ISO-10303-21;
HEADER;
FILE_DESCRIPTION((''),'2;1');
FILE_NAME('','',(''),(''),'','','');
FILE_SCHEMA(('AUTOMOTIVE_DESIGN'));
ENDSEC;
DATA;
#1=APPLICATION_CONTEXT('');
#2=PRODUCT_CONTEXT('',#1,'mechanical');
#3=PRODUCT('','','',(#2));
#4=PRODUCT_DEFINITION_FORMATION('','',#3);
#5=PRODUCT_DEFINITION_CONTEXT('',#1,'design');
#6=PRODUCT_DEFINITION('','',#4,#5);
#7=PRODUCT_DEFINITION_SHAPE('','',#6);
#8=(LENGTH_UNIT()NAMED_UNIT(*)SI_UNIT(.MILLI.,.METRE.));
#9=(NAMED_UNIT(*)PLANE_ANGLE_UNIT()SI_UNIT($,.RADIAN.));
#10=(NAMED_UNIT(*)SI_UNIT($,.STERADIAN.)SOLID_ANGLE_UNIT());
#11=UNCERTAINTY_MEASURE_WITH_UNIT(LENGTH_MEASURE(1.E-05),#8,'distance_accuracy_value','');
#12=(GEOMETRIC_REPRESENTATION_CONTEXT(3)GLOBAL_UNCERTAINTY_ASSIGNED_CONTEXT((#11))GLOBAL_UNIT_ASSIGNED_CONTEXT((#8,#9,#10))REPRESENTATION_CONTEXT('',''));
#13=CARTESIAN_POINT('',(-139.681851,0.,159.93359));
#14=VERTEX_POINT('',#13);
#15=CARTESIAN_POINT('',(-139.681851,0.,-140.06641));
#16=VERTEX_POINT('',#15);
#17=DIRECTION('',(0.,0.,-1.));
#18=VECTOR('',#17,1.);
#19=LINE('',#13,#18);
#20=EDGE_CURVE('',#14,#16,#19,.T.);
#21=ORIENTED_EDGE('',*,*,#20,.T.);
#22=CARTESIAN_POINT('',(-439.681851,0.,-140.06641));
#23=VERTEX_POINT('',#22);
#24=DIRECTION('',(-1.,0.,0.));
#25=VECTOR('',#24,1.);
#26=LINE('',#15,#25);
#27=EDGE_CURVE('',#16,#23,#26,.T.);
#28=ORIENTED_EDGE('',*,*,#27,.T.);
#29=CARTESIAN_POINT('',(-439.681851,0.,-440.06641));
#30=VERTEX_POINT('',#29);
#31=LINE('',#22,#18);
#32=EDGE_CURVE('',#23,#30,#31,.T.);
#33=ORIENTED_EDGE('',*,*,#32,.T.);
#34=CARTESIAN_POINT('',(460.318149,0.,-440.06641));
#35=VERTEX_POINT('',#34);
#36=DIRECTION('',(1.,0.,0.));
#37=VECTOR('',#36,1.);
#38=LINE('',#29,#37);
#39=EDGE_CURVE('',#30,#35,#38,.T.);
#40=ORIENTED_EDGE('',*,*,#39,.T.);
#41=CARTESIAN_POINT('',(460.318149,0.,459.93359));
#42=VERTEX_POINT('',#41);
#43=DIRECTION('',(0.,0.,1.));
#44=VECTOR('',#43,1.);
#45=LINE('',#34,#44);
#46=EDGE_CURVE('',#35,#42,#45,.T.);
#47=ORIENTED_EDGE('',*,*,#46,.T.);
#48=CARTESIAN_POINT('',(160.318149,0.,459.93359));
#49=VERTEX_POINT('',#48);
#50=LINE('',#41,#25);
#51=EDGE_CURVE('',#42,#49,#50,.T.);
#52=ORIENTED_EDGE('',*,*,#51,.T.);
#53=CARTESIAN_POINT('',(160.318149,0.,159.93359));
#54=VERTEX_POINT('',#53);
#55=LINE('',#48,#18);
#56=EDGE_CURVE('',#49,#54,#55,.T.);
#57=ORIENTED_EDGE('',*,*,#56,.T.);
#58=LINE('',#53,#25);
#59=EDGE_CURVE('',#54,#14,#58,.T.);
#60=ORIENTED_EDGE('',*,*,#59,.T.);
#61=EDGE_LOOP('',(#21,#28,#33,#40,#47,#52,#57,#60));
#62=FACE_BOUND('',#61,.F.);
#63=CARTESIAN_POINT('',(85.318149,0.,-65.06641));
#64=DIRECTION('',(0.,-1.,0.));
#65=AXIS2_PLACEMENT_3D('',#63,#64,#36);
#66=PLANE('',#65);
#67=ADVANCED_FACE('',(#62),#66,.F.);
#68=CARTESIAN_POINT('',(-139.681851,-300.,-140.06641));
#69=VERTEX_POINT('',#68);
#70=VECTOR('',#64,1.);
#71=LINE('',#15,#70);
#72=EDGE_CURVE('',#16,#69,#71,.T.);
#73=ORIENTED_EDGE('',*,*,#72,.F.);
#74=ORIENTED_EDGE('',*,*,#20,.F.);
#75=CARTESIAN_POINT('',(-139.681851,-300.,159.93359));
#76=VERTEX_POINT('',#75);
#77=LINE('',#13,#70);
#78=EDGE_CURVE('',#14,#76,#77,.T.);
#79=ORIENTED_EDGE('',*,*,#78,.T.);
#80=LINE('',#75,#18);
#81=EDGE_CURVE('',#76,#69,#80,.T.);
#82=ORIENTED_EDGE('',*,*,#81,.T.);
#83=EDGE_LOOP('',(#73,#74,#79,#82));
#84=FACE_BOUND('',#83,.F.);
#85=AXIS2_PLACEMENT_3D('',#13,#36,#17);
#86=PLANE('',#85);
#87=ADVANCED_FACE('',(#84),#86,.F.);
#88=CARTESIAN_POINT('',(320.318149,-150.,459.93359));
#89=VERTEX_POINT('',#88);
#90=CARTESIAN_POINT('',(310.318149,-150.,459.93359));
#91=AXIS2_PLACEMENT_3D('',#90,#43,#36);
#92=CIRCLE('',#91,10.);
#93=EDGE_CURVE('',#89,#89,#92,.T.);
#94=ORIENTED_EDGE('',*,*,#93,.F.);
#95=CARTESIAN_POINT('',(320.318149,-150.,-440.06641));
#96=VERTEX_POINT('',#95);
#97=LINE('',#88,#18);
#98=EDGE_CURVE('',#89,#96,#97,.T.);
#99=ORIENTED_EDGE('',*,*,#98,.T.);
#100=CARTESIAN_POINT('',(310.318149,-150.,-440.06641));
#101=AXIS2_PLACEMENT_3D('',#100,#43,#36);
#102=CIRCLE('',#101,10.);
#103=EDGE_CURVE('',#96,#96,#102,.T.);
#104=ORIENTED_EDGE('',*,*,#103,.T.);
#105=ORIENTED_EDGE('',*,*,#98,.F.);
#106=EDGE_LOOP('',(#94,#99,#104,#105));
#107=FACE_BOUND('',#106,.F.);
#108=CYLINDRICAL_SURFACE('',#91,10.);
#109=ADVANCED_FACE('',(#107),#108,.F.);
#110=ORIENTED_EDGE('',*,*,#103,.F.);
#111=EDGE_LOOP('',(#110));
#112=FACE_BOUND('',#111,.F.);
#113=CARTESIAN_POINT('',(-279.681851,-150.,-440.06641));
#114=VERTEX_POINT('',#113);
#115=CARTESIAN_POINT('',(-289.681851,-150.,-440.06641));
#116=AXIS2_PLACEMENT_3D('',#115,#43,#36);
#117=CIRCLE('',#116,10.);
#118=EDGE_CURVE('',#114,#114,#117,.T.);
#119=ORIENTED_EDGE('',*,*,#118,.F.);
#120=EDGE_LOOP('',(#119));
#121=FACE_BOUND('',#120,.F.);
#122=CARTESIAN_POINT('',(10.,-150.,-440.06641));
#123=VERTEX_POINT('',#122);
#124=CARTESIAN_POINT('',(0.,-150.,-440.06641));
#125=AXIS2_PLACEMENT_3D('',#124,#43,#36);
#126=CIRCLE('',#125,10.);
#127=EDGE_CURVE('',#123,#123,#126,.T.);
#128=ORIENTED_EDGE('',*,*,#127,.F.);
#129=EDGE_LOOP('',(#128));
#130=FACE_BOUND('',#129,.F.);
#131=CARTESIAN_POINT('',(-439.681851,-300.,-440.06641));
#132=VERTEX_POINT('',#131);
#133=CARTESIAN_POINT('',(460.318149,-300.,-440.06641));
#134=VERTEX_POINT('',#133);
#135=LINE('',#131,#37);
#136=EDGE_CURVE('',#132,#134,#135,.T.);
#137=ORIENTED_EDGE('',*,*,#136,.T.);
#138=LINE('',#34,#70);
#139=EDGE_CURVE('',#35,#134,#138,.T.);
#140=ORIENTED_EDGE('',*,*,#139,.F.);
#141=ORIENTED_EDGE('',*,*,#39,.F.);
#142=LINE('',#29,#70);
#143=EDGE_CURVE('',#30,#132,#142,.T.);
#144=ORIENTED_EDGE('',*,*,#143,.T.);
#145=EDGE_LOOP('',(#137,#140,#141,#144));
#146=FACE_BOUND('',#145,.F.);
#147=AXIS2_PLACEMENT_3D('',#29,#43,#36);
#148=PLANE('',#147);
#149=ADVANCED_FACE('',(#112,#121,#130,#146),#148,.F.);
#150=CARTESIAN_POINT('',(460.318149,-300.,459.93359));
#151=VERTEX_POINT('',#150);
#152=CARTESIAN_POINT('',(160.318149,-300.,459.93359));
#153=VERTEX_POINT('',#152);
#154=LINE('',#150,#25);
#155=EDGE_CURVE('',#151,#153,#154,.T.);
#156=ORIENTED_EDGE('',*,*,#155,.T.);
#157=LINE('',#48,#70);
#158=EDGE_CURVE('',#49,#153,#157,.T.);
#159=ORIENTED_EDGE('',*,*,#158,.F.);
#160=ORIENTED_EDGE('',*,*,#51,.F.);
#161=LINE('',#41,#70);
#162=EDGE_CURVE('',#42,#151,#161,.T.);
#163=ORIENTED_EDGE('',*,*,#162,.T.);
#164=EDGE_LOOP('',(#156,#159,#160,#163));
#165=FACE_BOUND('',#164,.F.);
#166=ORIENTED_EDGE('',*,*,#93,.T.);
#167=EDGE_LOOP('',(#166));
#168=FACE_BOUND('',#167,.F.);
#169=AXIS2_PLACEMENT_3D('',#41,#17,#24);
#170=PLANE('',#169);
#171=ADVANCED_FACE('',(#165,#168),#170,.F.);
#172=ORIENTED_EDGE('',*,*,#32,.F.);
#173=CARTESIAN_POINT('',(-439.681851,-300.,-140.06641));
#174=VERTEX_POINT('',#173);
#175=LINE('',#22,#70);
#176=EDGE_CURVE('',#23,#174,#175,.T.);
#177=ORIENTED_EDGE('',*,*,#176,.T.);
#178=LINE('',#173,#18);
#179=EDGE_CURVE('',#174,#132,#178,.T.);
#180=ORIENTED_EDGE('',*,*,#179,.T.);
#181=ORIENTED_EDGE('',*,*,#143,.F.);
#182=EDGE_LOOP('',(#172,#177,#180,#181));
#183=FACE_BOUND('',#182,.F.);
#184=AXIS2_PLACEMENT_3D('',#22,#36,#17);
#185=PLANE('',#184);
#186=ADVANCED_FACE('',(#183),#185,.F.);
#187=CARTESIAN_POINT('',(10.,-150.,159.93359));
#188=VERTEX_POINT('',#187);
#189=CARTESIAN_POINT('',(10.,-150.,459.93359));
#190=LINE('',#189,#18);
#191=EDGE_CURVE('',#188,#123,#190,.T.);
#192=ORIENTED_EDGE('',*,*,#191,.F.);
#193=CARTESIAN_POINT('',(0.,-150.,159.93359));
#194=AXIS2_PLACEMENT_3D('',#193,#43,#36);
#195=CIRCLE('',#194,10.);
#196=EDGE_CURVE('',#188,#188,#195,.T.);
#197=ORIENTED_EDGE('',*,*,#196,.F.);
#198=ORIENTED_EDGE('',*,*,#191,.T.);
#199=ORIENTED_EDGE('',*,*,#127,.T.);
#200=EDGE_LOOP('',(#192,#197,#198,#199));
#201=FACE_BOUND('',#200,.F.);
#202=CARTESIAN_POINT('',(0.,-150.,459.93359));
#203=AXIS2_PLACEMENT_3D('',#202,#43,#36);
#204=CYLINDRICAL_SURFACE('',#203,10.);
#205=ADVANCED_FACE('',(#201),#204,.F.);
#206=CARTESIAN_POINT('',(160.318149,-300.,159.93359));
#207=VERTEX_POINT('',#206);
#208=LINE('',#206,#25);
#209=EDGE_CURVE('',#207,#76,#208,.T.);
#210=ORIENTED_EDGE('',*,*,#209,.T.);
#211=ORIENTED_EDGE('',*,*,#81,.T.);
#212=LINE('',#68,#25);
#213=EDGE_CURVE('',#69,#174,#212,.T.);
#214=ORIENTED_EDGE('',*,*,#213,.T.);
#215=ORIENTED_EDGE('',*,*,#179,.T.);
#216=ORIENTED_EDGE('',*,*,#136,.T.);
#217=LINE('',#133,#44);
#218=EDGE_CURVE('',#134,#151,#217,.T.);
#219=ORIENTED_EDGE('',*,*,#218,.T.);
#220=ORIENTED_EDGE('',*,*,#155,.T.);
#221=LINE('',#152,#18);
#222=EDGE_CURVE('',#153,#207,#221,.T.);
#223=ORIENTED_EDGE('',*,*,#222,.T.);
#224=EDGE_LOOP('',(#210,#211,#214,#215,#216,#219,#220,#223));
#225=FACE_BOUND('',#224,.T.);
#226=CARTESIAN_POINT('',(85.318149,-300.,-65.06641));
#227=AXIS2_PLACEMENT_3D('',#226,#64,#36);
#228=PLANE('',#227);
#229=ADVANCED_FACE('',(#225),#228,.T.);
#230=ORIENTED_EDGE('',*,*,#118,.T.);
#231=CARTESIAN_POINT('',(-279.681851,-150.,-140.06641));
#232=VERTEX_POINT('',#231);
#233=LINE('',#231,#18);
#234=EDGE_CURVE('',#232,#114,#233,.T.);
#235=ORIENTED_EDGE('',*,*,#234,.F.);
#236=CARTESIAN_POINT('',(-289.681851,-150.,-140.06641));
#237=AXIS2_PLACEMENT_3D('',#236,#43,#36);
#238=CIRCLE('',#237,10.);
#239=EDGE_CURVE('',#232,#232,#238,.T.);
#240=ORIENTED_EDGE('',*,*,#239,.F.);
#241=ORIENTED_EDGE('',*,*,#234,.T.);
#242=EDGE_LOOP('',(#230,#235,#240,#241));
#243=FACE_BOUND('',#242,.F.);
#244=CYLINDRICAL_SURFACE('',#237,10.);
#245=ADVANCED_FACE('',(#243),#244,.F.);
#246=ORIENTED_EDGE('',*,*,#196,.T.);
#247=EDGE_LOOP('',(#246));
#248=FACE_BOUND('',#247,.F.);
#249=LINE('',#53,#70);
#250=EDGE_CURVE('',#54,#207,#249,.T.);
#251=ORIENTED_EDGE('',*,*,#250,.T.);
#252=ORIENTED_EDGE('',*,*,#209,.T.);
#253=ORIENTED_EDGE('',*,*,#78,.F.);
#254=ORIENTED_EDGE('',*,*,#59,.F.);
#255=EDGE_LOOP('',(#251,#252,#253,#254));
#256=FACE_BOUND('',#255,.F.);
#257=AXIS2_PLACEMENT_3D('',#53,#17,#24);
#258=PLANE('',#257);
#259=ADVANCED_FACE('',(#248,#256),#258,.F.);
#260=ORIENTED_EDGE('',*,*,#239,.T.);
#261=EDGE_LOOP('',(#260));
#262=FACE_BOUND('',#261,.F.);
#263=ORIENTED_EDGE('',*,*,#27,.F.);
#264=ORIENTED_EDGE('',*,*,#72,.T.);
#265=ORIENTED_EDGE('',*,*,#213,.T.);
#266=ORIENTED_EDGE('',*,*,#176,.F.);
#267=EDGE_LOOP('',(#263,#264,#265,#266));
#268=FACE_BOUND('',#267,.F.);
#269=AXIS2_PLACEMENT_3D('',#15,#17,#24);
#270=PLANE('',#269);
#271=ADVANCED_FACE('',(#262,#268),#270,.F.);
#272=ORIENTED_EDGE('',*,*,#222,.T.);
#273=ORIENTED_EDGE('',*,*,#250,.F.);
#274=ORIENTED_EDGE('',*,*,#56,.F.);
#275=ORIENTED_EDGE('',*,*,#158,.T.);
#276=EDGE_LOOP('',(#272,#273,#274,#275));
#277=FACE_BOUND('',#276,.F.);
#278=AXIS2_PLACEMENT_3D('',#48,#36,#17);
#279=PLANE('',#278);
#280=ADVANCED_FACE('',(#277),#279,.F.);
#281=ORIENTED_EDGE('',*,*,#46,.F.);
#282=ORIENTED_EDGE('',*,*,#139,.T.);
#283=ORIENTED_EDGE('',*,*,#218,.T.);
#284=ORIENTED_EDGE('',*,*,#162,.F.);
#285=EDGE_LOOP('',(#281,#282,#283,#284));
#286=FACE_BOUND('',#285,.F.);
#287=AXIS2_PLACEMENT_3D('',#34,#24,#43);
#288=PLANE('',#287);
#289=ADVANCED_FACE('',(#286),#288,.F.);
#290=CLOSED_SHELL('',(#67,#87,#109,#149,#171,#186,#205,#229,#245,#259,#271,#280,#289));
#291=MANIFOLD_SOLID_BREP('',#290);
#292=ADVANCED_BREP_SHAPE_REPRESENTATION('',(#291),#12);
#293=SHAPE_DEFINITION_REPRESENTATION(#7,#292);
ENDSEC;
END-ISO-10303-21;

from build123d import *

# Parameters (mm, degrees)
F1_DEPTH = 300
F2_R     = 10
F3_DEPTH = 900.001
F4_R     = 10
F5_DEPTH = 300.001


with BuildPart() as f1:
    # F0 (on Front) → F1 (new body)
    with BuildSketch(Plane.XZ):
        Polygon((-439.681851, -440.06641), (460.318149, -440.06641), (460.318149, 459.93359), (160.318149, 459.93359), (160.318149, 159.93359), (-139.681851, 159.93359), (-139.681851, -140.06641), (-439.681851, -140.06641), align=None)
    extrude(amount=F1_DEPTH)

    # F2 (on face) → F3 (cut, through all)
    with BuildSketch(Plane.XY.offset(459.93359)):
        with Locations((310.318149, -150)):
            Circle(F2_R)
        with Locations((0, -150)):
            Circle(F2_R)
    extrude(amount=-F3_DEPTH, mode=Mode.SUBTRACT)

    # F4 (on face) → F5 (cut, through all)
    with BuildSketch(Plane.XY.offset(-140.06641)):
        with Locations((-289.681851, -150)):
            Circle(F4_R)
    extrude(amount=-F5_DEPTH, mode=Mode.SUBTRACT)


solid = f1.part
